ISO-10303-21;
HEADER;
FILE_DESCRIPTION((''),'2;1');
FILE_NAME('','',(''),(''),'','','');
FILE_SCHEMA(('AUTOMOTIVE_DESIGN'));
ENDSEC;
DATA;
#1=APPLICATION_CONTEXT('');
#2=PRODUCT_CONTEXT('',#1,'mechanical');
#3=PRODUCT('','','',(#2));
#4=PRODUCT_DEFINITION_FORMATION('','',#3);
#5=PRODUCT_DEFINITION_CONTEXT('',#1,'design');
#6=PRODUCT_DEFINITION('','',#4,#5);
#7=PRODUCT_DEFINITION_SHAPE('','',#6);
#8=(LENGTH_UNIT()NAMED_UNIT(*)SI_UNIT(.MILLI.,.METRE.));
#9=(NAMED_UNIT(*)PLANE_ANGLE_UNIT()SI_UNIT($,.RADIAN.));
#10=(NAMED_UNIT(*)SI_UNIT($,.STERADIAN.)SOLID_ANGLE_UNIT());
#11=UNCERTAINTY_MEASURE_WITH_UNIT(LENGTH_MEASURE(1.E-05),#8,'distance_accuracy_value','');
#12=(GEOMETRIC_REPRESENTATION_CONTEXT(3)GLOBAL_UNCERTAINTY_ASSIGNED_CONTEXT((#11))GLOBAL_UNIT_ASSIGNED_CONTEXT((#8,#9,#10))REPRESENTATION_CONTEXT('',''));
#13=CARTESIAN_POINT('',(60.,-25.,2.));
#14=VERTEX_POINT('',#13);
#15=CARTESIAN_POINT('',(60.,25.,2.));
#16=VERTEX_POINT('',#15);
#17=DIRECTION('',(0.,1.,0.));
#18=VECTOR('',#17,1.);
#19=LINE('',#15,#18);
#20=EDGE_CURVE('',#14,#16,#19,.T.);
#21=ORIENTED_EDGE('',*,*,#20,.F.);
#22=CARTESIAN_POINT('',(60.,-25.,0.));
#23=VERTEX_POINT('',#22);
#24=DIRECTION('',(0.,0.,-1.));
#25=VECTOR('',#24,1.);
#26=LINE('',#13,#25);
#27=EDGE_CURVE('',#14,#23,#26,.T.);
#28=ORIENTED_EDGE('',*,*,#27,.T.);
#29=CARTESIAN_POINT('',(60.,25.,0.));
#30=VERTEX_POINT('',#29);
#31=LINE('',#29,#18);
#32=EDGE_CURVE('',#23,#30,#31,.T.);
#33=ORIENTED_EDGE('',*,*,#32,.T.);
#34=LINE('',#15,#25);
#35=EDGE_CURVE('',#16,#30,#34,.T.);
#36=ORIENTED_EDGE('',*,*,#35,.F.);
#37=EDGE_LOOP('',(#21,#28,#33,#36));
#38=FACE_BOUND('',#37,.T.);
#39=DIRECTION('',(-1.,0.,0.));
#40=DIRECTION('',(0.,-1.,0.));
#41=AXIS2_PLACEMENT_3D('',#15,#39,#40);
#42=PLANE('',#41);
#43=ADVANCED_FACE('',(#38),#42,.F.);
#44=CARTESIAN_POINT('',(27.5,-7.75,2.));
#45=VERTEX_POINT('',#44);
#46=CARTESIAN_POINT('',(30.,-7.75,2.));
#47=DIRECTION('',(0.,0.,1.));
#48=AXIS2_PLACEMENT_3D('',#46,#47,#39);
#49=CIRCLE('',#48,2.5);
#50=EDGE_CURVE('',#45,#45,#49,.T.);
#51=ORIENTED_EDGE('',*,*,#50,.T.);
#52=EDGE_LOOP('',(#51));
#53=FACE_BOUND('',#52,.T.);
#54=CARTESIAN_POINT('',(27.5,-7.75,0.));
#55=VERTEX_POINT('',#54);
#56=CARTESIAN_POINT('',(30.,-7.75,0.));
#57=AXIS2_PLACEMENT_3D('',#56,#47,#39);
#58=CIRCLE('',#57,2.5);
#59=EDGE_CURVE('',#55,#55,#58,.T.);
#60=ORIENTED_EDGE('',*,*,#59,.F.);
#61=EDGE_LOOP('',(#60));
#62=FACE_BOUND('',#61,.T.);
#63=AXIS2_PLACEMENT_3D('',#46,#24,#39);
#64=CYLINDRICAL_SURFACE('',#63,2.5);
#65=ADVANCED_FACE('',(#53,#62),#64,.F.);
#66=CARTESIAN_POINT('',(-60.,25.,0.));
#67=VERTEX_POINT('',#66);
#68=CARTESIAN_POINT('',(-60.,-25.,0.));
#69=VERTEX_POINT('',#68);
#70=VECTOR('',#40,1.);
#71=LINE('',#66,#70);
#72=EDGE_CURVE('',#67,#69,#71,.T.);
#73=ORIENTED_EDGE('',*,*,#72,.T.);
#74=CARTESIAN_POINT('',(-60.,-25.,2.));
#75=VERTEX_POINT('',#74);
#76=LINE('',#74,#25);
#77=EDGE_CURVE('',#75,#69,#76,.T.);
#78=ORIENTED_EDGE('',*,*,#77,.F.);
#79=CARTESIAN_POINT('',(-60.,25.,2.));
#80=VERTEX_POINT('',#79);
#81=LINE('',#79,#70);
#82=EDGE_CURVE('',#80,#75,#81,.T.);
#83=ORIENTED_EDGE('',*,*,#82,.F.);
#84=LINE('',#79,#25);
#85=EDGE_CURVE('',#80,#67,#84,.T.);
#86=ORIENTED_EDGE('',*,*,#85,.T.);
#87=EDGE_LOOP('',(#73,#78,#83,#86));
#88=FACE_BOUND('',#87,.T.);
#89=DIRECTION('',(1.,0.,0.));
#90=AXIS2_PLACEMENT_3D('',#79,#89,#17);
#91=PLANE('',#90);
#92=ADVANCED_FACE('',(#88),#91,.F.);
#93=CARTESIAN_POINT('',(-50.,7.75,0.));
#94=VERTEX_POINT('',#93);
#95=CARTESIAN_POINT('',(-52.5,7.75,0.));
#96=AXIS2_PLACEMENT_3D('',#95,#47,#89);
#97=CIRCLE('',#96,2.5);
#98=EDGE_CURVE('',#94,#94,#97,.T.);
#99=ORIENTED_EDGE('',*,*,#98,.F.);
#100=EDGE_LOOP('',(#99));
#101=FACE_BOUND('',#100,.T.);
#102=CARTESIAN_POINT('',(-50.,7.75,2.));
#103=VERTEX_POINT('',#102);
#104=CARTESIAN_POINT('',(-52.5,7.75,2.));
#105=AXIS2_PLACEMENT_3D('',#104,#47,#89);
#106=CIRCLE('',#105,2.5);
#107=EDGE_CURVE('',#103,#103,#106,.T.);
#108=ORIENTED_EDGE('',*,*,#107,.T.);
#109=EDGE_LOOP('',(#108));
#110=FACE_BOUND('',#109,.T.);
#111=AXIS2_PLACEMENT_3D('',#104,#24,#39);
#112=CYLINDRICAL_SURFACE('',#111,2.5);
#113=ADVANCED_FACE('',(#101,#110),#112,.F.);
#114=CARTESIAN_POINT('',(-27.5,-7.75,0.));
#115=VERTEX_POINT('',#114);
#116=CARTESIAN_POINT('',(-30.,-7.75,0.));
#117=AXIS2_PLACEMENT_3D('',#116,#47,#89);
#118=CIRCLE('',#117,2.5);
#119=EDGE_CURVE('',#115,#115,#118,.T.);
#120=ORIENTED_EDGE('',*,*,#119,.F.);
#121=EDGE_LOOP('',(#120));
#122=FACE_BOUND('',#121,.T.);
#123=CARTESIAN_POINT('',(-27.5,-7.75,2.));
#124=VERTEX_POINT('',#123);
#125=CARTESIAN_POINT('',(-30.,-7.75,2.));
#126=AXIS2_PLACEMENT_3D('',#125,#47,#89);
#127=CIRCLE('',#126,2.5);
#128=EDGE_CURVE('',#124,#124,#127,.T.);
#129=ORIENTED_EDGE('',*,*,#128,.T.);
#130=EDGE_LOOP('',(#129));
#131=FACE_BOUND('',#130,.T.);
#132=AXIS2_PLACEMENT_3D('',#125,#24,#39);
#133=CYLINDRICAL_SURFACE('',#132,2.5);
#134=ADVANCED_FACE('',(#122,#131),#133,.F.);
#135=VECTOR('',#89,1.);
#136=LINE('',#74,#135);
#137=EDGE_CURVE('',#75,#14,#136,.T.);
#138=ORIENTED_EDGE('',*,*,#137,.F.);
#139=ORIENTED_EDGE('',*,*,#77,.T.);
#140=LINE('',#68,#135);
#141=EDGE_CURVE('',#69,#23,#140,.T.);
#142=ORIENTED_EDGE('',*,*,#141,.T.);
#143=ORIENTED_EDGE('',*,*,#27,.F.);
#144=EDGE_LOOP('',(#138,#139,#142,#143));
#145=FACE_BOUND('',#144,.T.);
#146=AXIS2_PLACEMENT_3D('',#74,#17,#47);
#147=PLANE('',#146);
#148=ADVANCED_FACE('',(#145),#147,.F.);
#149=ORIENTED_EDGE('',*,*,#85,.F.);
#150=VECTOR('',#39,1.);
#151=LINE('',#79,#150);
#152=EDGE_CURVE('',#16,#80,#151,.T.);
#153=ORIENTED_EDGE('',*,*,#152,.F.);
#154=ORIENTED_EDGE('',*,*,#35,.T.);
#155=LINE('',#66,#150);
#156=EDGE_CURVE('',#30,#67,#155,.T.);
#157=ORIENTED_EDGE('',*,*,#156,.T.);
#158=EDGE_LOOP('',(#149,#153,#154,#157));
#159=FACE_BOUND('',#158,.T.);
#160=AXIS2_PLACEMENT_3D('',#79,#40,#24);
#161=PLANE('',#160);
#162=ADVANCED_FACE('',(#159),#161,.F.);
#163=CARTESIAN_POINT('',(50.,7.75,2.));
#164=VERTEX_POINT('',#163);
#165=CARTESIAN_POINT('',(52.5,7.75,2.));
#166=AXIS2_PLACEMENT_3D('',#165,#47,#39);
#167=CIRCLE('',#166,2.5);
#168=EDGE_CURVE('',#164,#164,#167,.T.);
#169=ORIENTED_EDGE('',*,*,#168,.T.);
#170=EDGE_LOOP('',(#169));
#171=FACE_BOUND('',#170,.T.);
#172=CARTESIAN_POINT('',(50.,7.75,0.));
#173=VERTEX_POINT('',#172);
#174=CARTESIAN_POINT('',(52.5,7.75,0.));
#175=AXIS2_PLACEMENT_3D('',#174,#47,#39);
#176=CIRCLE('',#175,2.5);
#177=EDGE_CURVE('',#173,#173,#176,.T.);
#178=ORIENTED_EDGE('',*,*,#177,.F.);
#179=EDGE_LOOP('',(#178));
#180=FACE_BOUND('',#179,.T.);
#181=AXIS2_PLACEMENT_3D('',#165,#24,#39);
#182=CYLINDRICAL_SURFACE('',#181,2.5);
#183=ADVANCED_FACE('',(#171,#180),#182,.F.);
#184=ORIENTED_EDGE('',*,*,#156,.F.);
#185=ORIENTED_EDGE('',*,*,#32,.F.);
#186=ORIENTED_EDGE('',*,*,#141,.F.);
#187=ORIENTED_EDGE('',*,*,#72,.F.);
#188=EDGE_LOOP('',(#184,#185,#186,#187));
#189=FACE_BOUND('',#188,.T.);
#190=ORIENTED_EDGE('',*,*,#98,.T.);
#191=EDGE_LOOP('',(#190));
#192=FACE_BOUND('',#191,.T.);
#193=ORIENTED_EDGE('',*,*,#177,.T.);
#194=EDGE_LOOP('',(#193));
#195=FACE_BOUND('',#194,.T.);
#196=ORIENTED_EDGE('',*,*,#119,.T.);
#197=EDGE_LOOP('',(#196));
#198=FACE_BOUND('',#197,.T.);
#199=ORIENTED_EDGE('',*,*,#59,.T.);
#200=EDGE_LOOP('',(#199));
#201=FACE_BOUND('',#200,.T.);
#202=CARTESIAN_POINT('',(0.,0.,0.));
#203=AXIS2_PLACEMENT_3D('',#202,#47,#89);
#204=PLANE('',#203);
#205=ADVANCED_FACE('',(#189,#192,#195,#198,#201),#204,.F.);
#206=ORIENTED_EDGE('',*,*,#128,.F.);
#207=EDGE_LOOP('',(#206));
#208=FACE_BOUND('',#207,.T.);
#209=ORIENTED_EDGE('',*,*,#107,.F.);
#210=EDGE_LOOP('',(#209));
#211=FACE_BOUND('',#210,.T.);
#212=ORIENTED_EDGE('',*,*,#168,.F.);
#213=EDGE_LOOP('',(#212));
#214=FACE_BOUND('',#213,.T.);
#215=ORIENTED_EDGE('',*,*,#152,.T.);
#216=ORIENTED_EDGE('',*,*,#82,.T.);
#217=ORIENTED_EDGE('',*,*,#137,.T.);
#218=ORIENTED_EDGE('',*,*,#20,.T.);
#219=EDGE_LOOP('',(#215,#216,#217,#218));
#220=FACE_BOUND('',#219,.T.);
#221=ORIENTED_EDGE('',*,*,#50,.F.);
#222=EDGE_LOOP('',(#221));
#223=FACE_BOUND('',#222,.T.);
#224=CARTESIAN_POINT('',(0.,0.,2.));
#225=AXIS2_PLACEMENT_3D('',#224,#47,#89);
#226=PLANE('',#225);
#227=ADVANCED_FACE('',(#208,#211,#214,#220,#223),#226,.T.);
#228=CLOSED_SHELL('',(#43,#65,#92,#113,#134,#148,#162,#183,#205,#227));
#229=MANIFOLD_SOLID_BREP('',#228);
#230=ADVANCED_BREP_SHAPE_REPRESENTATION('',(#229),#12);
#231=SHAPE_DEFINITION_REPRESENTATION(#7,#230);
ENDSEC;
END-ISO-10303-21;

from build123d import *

# Parameters (mm, degrees)
IZIM1_W                     = 120
IZIM1_H                     = 50
IZIM1_R                     = 2.5
Y_KSEKLIK_EKSTR_ZYON1_DEPTH = 2


with BuildPart() as part:
    # Çizim1 → Yükseklik-Ekstrüzyon1 (new body)
    with BuildSketch(Plane.XY):
        Rectangle(IZIM1_W, IZIM1_H)
        with Locations((-52.5, 7.75)):
            Circle(IZIM1_R, mode=Mode.SUBTRACT)
        with Locations(Location((52.5, 7.75, 0), (0, 0, 180))):
            Circle(IZIM1_R, mode=Mode.SUBTRACT)
        with Locations((-30, -7.75)):
            Circle(IZIM1_R, mode=Mode.SUBTRACT)
        with Locations(Location((30, -7.75, 0), (0, 0, 180))):
            Circle(IZIM1_R, mode=Mode.SUBTRACT)
    extrude(amount=Y_KSEKLIK_EKSTR_ZYON1_DEPTH)


solid = part.part
